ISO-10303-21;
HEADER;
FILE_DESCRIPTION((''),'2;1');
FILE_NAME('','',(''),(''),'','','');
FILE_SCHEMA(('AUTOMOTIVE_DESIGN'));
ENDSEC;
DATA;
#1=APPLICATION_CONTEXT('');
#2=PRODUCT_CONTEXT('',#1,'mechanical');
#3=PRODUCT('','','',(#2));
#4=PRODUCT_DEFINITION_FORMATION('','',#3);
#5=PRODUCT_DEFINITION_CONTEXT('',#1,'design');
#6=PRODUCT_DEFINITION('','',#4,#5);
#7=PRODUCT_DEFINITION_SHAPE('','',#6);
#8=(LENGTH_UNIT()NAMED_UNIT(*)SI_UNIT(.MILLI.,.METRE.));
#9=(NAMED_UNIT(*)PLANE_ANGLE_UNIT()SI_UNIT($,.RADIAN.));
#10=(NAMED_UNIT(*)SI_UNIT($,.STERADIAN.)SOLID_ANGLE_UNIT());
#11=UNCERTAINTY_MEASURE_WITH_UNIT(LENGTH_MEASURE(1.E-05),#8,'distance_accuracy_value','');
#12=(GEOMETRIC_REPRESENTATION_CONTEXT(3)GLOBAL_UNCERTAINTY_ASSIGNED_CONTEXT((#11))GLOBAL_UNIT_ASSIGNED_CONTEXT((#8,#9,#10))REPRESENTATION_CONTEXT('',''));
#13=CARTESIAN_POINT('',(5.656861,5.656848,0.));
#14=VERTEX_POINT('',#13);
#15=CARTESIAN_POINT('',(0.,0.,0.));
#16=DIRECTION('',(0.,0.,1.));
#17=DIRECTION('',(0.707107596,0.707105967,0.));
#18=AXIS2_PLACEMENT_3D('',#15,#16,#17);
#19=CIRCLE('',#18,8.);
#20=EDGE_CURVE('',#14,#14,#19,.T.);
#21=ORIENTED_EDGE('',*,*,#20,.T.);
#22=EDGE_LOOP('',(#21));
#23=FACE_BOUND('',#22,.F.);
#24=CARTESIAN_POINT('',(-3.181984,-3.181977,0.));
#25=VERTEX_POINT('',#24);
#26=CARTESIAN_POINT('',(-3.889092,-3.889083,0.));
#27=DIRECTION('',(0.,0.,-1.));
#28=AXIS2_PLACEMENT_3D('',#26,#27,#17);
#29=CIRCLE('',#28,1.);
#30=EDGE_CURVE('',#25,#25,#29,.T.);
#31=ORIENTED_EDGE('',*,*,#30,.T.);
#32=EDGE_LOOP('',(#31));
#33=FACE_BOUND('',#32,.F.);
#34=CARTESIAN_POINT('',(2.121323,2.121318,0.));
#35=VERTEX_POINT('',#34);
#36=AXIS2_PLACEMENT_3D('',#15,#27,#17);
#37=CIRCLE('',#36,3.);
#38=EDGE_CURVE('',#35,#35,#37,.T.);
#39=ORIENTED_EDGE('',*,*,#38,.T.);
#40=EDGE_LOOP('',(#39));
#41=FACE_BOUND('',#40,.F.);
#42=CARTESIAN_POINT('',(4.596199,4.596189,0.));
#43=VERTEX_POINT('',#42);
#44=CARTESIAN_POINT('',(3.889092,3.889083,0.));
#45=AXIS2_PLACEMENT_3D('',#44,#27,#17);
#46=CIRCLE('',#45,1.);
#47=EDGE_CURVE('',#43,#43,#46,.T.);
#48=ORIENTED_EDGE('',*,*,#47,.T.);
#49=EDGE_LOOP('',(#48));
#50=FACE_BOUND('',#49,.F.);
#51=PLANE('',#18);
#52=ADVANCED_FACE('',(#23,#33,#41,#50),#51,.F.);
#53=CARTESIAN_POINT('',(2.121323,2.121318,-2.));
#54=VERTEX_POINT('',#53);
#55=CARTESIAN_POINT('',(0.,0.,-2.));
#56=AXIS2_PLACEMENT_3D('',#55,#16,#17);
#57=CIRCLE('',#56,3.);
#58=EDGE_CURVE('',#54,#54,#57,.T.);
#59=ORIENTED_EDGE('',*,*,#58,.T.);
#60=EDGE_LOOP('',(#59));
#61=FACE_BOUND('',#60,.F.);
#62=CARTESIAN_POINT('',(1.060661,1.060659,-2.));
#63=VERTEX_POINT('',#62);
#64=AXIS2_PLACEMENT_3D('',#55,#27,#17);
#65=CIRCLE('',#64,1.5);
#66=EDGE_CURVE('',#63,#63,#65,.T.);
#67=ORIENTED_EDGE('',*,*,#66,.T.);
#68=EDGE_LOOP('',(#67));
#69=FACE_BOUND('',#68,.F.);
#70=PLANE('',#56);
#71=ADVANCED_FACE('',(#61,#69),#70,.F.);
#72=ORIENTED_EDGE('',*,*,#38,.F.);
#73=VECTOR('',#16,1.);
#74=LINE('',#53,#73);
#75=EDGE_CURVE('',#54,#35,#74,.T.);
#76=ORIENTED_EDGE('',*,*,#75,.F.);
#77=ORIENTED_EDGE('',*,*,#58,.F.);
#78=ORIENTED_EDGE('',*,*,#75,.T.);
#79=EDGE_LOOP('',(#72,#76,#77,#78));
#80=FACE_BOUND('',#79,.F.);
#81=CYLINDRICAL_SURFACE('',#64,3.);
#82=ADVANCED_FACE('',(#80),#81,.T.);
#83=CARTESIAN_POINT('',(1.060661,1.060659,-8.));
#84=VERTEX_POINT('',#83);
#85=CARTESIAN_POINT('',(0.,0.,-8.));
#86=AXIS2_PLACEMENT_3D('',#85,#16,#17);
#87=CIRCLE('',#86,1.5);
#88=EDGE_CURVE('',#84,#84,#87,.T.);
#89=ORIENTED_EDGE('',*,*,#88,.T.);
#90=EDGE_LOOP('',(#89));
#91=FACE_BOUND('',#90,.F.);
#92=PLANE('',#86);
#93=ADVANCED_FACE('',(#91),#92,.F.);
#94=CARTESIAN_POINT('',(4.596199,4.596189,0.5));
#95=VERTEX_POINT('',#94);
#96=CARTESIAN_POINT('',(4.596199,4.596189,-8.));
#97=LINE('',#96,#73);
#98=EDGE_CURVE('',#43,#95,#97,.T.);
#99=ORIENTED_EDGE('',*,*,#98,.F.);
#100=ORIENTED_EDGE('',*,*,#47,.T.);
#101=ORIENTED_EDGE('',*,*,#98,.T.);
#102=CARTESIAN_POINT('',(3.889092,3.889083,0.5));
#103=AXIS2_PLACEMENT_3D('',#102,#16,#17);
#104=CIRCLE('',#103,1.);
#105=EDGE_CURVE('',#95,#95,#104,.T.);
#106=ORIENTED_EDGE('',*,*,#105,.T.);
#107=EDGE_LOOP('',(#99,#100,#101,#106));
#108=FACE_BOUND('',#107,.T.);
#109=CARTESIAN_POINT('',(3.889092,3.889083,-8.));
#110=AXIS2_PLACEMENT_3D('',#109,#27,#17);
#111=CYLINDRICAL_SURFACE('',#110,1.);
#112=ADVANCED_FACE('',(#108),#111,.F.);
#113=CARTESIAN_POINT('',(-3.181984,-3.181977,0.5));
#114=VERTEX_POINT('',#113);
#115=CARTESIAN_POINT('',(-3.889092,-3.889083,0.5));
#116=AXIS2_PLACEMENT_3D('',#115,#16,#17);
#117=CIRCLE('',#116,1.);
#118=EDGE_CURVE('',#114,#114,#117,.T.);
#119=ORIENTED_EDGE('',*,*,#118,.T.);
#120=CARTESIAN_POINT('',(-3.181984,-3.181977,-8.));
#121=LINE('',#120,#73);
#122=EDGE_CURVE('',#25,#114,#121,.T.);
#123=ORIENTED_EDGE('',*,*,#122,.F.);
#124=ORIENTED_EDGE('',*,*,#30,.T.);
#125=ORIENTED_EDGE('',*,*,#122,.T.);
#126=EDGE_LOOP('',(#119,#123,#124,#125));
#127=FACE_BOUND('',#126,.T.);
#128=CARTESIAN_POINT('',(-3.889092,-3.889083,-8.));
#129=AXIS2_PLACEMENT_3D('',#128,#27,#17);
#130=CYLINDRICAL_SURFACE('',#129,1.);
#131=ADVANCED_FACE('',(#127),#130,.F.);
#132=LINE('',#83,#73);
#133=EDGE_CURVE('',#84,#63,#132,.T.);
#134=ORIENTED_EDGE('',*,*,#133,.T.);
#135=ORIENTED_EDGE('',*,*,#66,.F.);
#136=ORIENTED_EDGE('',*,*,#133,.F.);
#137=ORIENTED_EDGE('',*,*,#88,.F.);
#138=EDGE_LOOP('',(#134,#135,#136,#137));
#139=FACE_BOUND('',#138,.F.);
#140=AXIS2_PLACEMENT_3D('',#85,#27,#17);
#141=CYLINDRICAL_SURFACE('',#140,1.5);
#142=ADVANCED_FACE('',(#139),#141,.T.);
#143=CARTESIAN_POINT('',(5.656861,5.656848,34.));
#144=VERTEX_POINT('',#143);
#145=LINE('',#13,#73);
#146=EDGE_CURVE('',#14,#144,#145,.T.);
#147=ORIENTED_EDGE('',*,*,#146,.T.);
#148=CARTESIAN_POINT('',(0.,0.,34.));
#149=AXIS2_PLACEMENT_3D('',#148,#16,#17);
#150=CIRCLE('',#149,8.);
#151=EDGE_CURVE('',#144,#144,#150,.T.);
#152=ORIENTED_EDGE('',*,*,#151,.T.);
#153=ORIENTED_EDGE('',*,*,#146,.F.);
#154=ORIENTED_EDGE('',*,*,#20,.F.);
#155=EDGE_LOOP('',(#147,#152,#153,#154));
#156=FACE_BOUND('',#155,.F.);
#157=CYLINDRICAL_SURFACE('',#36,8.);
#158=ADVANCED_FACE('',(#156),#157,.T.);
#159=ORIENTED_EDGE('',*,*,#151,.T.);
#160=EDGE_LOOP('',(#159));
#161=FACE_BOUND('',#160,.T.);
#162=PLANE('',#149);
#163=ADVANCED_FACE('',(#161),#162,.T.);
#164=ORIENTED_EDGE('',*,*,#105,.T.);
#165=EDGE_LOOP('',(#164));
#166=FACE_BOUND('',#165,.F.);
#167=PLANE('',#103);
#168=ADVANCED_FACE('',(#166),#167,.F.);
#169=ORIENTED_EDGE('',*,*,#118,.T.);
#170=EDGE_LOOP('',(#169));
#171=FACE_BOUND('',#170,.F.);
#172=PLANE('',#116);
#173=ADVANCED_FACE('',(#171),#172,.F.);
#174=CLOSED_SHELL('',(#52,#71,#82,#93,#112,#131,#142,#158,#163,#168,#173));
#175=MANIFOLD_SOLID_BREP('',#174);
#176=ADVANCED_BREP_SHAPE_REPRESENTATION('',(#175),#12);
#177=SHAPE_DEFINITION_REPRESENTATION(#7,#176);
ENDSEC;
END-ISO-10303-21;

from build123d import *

# Parameters (mm, degrees)
CYLINDER002_R          = 3
CYLINDER002_DEPTH      = 2.5
CYLINDER004_R          = 1
CYLINDER004_DEPTH      = 8.5
CYLINDER003_R          = 1
CYLINDER003_DEPTH      = 8.5
CYLINDER_R             = 8
CYLINDER_DEPTH         = 34
CYLINDER001_R          = 1.5
CYLINDER001_DEPTH      = 8
FUSION_PLACEMENT_ANGLE = 44.999934


with BuildPart() as bearing:
    # Cylinder002 → Cylinder002 (new body)
    with BuildSketch(Plane.XY.offset(-2)):
        Circle(CYLINDER002_R)
    extrude(amount=CYLINDER002_DEPTH)


with BuildPart() as cylinder004:
    # Cylinder004 → Cylinder004 (new body)
    with BuildSketch(Plane(origin=(-5.5, 0, -8), x_dir=(1, 0, 0), z_dir=(0, 0, 1))):
        Circle(CYLINDER004_R)
    extrude(amount=CYLINDER004_DEPTH)


with BuildPart() as cylinder003:
    # Cylinder003 → Cylinder003 (new body)
    with BuildSketch(Plane(origin=(5.5, 0, -8), x_dir=(1, 0, 0), z_dir=(0, 0, 1))):
        Circle(CYLINDER003_R)
    extrude(amount=CYLINDER003_DEPTH)


with BuildPart() as cut001:
    # Cylinder → Cylinder (new body)
    with BuildSketch(Plane.XY):
        Circle(CYLINDER_R)
    extrude(amount=CYLINDER_DEPTH)

    # Cut: cut Cylinder003
    add(cylinder003.part, mode=Mode.SUBTRACT)

    # Cut001: cut Cylinder004
    add(cylinder004.part, mode=Mode.SUBTRACT)


with BuildPart() as f_16mmgearmotor:
    # Cylinder001 → Cylinder001 (new body)
    with BuildSketch(Plane.XY.offset(-8)):
        Circle(CYLINDER001_R)
    extrude(amount=CYLINDER001_DEPTH)

    # Fusion: union bearing, Cut001
    add(bearing.part)
    add(cut001.part)


with BuildPart() as f_16mmgearmotor_1:
    # Fusion placement: moved
    add(f_16mmgearmotor.part.rotate(Axis((0, 0, 0), (0, 0, 1)), FUSION_PLACEMENT_ANGLE))


solid = f_16mmgearmotor_1.part
